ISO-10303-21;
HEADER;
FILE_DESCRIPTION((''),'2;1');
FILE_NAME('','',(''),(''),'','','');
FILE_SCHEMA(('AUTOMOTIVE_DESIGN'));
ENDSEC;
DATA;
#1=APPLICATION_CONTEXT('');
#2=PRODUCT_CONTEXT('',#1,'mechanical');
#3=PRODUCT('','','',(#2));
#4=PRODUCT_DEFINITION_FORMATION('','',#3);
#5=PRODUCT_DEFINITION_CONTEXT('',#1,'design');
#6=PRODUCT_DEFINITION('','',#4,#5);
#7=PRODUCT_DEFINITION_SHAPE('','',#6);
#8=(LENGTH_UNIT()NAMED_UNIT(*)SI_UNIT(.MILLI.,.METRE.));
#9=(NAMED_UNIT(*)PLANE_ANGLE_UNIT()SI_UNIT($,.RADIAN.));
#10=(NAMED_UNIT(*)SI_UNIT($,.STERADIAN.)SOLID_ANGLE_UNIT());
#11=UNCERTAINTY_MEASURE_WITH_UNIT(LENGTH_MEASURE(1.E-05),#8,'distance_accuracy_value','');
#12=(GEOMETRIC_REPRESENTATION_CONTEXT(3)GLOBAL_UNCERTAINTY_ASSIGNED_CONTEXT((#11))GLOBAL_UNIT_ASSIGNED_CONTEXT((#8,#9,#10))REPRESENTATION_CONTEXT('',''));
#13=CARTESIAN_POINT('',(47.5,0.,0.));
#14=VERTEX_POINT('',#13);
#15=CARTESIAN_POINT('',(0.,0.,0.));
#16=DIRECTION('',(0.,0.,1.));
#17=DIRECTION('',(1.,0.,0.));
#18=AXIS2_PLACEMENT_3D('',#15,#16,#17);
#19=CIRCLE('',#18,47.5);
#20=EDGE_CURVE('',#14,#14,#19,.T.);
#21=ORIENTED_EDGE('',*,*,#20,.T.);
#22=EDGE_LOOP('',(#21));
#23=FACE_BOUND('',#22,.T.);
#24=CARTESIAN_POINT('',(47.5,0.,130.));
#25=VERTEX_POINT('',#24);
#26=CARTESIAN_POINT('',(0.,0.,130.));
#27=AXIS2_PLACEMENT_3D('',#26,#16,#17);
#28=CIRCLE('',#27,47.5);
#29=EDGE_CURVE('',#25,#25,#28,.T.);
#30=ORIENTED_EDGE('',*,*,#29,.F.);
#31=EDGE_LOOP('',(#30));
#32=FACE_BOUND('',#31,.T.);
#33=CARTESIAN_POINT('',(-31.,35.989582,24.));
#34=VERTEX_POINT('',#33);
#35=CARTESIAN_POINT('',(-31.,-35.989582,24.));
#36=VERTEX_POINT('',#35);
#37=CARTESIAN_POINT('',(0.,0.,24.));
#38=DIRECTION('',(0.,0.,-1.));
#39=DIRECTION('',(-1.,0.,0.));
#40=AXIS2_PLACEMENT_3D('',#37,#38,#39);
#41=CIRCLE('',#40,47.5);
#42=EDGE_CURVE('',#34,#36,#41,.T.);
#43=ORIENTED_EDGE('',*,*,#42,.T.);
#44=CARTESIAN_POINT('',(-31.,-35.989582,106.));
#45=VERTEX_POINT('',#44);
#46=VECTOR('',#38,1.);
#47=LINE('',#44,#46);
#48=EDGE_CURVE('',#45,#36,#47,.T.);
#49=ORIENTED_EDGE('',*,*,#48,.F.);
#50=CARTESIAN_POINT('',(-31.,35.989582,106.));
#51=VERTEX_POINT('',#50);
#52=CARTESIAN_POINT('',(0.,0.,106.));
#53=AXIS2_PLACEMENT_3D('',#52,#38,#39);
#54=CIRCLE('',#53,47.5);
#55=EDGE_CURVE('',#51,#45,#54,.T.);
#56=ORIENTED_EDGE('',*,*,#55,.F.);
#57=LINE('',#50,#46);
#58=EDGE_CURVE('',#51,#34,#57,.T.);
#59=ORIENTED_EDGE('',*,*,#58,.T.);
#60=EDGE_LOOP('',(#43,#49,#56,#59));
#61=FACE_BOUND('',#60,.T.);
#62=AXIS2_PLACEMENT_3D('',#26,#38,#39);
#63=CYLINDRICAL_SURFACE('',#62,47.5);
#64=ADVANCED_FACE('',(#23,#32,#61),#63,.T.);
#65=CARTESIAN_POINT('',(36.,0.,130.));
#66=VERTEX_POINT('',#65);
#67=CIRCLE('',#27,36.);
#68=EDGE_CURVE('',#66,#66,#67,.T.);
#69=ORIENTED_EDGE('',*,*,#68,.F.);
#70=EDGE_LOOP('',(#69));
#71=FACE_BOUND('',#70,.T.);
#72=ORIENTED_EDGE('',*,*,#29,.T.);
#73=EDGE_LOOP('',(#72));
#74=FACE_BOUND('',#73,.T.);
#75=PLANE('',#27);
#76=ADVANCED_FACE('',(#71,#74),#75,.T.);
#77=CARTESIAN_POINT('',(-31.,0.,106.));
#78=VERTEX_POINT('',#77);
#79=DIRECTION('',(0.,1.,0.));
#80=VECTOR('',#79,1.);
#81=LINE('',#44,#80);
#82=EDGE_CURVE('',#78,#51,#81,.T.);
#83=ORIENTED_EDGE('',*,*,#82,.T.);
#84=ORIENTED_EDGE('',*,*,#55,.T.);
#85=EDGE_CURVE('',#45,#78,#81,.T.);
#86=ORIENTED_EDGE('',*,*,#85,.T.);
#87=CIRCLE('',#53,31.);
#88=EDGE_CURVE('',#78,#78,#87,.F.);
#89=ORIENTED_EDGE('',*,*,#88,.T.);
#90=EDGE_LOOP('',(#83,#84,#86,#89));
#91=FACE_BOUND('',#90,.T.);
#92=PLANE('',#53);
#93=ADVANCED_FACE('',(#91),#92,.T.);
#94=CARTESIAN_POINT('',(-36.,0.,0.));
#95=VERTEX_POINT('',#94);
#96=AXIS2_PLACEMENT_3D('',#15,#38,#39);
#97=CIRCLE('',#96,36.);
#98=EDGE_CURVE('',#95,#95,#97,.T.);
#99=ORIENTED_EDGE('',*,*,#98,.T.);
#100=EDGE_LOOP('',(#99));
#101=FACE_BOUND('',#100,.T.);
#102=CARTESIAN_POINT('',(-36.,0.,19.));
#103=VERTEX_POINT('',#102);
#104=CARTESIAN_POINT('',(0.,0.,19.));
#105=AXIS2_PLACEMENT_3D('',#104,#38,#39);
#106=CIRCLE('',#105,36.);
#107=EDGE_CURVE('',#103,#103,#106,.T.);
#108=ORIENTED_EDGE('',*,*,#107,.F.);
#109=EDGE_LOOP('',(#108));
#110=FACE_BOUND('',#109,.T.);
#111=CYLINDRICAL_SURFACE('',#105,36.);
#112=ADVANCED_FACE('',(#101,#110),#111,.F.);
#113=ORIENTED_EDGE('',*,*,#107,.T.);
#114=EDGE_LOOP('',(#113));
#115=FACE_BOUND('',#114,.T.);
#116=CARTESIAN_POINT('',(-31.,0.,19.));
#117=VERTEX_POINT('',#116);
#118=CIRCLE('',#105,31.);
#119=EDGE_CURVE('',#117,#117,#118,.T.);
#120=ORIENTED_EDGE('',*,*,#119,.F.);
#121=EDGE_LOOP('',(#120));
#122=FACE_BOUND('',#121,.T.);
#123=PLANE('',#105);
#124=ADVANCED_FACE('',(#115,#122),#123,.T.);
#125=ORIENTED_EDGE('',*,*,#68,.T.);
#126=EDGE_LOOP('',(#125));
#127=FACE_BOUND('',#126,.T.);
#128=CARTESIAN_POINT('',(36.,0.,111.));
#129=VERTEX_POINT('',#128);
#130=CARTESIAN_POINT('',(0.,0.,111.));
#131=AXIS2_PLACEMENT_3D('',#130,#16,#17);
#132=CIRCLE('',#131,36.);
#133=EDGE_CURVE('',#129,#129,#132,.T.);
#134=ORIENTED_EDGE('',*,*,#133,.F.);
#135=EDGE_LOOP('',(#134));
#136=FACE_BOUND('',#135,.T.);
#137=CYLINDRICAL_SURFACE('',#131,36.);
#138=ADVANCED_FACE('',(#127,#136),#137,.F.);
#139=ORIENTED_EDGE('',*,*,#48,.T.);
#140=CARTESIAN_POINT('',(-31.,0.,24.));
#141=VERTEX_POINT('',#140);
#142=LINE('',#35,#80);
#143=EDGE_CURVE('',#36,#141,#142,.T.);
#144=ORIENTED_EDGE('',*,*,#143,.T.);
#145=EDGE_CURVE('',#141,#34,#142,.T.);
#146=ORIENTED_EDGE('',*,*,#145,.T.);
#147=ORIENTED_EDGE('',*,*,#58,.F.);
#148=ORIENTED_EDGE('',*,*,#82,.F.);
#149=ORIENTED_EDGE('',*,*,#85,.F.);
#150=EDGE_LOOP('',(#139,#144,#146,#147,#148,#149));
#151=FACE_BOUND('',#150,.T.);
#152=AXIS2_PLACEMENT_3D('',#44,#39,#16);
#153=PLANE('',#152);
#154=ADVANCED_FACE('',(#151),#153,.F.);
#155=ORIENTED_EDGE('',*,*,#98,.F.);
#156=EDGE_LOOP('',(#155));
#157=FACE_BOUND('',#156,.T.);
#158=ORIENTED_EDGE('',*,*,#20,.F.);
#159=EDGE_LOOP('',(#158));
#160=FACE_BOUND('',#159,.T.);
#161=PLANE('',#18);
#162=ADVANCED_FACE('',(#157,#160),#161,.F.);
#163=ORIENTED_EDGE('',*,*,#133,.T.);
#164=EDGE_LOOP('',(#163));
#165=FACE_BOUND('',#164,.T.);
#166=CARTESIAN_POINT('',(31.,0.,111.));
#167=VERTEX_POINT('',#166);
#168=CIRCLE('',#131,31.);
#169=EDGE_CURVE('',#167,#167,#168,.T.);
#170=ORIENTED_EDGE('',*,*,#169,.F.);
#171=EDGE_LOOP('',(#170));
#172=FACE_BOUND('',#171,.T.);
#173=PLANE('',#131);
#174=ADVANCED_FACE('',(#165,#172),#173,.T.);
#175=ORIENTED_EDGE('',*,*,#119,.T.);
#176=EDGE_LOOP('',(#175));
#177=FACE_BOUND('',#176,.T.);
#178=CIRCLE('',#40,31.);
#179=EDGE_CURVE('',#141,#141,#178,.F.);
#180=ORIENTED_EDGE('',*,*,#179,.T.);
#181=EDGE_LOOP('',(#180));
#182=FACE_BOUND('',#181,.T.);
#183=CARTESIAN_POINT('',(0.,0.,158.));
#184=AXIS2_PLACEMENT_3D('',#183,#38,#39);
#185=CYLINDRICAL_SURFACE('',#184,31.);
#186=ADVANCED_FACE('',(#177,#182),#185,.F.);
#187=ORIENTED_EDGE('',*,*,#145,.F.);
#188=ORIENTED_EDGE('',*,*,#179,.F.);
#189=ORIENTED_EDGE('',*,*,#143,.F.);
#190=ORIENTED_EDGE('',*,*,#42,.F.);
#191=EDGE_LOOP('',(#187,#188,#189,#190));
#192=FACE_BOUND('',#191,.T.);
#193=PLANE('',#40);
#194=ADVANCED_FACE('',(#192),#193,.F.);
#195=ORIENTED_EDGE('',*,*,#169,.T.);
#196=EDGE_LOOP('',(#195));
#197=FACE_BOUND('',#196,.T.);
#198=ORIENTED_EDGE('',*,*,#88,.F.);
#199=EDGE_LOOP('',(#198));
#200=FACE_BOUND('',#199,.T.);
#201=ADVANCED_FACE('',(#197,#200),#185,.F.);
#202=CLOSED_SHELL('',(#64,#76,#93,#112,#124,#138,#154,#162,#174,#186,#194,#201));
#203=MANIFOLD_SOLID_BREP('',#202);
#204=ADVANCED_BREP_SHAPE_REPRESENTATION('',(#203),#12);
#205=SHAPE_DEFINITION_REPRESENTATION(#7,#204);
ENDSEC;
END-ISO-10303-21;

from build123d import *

# Parameters (mm, degrees)
SKETCH_1_R          = 47.5
EXTRUDE_1_DEPTH     = 130
SKETCH_2_R          = 36
CUT_EXTRUDE_1_DEPTH = 19
CUT_EXTRUDE_START   = -19
SKETCH_3_R          = 36
CUT_EXTRUDE_2_DEPTH = 19
SKETCH_4_R          = 31
CUT_EXTRUDE_3_DEPTH = 139
CUT_EXTRUDE_4_DEPTH = 82


with BuildPart() as part:
    # 草图1 → 拉伸1 (new body)
    with BuildSketch(Plane.XY):
        Circle(SKETCH_1_R)
    extrude(amount=EXTRUDE_1_DEPTH)

    # 草图2 → 切除-拉伸1 (cut)
    with BuildSketch(Plane.XY.offset(130)):
        Circle(SKETCH_2_R)
    extrude(amount=-CUT_EXTRUDE_1_DEPTH, mode=Mode.SUBTRACT)

    # 草图3 → 切除-拉伸2 (cut)
    with BuildSketch(Plane(origin=(0, 0, 0), x_dir=(-1, 0, 0), z_dir=(0, 0, -1)).offset(CUT_EXTRUDE_START)):
        with Locations(Location((0, 0, 0), (0, 0, 180))):
            Circle(SKETCH_3_R)
    extrude(amount=CUT_EXTRUDE_2_DEPTH, mode=Mode.SUBTRACT)

    # 草图4 → 切除-拉伸3 (cut)
    with BuildSketch(Plane(origin=(0, 0, 19), x_dir=(-1, 0, 0), z_dir=(0, 0, -1))):
        Circle(SKETCH_4_R)
    extrude(amount=-CUT_EXTRUDE_3_DEPTH, mode=Mode.SUBTRACT)

    # 草图5 → 切除-拉伸4 (cut)
    with BuildSketch(Plane(origin=(0, 0, 24), x_dir=(-1, 0, 0), z_dir=(0, 0, -1))):
        with BuildLine():
            Line((31, -35.989581826), (31, 35.989581826))
            ThreePointArc((31, 35.989581826), (-47.5, 0), (31, -35.989581826))
        make_face()
    extrude(amount=-CUT_EXTRUDE_4_DEPTH, mode=Mode.SUBTRACT)


solid = part.part
